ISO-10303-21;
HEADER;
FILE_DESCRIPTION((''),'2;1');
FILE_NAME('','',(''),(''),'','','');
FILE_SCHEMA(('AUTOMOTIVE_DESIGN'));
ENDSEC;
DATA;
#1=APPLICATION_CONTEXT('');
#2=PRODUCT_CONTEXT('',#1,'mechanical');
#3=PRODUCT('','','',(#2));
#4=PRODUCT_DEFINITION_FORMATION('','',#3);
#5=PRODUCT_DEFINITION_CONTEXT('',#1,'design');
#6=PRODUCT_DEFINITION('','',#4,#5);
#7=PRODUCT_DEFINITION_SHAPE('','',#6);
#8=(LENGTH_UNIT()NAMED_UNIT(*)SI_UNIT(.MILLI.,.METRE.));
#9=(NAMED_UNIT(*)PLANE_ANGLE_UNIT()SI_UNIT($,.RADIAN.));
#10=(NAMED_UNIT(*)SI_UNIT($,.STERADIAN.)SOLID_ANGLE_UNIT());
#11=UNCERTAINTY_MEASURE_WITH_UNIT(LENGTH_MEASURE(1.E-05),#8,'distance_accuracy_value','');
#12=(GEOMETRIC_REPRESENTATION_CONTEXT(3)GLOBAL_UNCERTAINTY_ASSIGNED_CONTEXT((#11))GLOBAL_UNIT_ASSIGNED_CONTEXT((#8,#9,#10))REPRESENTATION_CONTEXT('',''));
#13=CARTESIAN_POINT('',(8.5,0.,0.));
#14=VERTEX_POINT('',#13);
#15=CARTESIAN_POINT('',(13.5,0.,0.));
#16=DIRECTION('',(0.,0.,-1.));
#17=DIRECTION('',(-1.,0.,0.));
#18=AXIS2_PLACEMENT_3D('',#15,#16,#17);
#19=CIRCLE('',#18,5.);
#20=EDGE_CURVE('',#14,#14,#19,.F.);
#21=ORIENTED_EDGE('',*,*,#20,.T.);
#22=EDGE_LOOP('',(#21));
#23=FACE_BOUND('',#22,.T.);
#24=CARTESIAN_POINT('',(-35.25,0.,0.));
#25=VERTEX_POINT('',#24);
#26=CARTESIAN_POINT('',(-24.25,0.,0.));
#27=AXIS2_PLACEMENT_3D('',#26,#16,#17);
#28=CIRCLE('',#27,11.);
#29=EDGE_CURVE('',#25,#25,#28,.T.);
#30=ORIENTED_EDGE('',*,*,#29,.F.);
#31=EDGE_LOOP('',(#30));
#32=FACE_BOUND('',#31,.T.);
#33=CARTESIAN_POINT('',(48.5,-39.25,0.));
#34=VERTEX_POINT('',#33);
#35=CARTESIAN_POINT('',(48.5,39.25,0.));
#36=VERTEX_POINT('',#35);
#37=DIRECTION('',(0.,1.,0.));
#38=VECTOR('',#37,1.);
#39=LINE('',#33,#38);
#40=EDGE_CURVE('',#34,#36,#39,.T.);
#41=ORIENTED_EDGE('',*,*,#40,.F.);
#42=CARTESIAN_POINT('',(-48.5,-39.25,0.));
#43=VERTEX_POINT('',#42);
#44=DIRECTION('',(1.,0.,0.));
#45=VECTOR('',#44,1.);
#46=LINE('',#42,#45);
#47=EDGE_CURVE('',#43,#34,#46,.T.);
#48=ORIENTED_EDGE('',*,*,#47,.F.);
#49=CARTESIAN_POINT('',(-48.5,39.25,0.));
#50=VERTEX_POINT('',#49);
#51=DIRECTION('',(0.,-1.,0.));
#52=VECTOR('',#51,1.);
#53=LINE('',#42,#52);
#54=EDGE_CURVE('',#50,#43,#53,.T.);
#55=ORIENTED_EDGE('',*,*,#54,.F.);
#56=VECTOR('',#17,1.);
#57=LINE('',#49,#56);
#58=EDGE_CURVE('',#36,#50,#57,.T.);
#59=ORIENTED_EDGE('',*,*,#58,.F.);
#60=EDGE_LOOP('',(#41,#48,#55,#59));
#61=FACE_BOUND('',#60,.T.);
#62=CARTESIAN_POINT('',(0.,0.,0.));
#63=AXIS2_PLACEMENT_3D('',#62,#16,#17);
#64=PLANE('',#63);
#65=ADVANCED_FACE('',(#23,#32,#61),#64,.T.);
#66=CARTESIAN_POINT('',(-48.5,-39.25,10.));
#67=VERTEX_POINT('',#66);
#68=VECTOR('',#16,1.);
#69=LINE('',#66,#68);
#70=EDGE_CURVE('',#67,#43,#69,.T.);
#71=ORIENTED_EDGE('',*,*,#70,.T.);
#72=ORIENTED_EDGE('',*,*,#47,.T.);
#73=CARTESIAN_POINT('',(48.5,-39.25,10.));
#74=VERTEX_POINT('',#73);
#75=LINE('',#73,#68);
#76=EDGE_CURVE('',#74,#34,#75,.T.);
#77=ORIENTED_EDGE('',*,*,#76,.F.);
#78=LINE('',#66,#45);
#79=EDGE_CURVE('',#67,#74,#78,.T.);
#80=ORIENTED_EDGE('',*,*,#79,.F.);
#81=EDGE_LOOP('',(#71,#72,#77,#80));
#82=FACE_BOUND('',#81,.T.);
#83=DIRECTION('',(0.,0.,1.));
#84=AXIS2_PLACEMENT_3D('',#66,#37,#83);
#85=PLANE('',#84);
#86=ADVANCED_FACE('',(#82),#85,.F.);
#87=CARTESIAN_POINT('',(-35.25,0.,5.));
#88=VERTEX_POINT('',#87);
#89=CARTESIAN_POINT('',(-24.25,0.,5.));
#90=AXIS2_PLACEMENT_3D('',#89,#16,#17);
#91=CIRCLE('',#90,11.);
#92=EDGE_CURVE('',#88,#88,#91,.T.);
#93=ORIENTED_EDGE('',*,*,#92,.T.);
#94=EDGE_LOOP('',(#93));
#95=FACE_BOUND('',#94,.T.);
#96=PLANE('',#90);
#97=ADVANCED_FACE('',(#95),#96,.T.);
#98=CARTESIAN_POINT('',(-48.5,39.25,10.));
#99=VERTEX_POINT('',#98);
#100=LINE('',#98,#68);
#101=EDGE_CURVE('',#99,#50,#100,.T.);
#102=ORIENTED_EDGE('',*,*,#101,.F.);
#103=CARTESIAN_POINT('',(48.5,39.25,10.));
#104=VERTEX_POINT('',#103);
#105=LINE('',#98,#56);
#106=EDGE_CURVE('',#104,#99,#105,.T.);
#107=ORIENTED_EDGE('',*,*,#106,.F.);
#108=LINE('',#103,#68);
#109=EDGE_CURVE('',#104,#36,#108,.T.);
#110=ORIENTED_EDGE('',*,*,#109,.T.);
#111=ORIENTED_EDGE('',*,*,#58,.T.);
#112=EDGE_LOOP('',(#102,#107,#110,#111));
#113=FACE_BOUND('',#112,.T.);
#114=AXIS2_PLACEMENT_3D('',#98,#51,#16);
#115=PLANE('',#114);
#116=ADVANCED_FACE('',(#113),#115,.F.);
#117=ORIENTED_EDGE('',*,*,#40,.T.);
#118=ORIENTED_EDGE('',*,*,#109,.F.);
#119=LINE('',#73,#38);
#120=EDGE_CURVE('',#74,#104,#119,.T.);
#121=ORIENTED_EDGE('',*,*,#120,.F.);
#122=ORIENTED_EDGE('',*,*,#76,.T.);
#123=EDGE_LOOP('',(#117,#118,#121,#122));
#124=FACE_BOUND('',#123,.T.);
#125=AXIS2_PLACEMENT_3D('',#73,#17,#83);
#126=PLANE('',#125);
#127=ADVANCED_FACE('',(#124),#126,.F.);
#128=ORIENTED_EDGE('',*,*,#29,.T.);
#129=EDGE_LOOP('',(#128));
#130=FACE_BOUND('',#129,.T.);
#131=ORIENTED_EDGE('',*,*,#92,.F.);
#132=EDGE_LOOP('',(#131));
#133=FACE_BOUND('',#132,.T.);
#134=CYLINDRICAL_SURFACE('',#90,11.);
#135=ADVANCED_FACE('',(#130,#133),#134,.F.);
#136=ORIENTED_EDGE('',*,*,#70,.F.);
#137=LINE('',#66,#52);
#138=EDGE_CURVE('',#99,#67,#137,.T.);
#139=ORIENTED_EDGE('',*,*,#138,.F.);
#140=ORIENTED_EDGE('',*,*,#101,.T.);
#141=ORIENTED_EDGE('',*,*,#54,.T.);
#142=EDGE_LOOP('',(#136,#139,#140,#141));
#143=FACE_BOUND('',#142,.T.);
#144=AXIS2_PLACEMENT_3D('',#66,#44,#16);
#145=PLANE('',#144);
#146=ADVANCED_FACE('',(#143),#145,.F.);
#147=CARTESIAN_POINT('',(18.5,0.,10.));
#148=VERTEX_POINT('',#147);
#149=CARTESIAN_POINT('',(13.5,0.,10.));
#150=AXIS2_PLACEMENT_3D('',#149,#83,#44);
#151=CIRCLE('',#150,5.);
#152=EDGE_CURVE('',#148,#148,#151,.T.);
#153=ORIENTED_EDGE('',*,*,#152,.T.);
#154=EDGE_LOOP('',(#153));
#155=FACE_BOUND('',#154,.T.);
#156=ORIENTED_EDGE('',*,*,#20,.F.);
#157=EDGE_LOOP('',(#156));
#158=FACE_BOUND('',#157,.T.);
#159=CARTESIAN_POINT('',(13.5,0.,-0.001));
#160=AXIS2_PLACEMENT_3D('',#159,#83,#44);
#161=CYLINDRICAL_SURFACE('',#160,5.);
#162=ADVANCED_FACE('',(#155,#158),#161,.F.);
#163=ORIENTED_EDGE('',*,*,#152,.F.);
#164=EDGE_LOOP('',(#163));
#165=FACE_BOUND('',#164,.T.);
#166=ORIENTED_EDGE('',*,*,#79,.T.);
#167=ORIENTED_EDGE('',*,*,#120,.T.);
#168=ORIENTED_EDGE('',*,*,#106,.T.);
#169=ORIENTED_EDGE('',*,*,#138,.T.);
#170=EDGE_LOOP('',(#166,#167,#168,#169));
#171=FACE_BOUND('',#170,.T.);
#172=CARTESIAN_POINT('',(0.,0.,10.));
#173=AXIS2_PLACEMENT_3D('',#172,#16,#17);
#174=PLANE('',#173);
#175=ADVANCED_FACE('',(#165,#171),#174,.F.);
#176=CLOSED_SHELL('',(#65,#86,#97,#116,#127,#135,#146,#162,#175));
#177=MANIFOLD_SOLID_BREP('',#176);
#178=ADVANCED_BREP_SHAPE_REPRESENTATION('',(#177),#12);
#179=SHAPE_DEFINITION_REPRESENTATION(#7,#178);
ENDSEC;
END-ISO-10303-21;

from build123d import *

# Parameters (mm, degrees)
SKETCH1_W           = 97
SKETCH1_H           = 78.5
BOSS_EXTRUDE1_DEPTH = 10
CUT_EXTRUDE1_REACH  = 65.189
SKETCH2_R           = 5
SKETCH3_R           = 11
CUT_EXTRUDE2_DEPTH  = 5


with BuildPart() as part:
    # Sketch1 → Boss-Extrude1 (new body)
    with BuildSketch(Plane.XY):
        Rectangle(SKETCH1_W, SKETCH1_H)
    extrude(amount=BOSS_EXTRUDE1_DEPTH)

    # Sketch2 → Cut-Extrude1 (cut, up to next)
    with BuildSketch(Plane.XY.offset(10), mode=Mode.PRIVATE) as cut_extrude1_sk1:
        with Locations((13.5, 0)):
            Circle(SKETCH2_R)
    cut_extrude1_tool1 = extrude(cut_extrude1_sk1.sketch, amount=-CUT_EXTRUDE1_REACH, mode=Mode.PRIVATE) & part.part
    add(cut_extrude1_tool1.solids().sort_by_distance((13.5, 0, 10))[0], mode=Mode.SUBTRACT)

    # Sketch3 → Cut-Extrude2 (cut)
    with BuildSketch(Plane(origin=(0, 0, 0), x_dir=(-1, 0, 0), z_dir=(0, 0, -1))):
        with Locations((24.25, 0)):
            Circle(SKETCH3_R)
    extrude(amount=-CUT_EXTRUDE2_DEPTH, mode=Mode.SUBTRACT)


solid = part.part
